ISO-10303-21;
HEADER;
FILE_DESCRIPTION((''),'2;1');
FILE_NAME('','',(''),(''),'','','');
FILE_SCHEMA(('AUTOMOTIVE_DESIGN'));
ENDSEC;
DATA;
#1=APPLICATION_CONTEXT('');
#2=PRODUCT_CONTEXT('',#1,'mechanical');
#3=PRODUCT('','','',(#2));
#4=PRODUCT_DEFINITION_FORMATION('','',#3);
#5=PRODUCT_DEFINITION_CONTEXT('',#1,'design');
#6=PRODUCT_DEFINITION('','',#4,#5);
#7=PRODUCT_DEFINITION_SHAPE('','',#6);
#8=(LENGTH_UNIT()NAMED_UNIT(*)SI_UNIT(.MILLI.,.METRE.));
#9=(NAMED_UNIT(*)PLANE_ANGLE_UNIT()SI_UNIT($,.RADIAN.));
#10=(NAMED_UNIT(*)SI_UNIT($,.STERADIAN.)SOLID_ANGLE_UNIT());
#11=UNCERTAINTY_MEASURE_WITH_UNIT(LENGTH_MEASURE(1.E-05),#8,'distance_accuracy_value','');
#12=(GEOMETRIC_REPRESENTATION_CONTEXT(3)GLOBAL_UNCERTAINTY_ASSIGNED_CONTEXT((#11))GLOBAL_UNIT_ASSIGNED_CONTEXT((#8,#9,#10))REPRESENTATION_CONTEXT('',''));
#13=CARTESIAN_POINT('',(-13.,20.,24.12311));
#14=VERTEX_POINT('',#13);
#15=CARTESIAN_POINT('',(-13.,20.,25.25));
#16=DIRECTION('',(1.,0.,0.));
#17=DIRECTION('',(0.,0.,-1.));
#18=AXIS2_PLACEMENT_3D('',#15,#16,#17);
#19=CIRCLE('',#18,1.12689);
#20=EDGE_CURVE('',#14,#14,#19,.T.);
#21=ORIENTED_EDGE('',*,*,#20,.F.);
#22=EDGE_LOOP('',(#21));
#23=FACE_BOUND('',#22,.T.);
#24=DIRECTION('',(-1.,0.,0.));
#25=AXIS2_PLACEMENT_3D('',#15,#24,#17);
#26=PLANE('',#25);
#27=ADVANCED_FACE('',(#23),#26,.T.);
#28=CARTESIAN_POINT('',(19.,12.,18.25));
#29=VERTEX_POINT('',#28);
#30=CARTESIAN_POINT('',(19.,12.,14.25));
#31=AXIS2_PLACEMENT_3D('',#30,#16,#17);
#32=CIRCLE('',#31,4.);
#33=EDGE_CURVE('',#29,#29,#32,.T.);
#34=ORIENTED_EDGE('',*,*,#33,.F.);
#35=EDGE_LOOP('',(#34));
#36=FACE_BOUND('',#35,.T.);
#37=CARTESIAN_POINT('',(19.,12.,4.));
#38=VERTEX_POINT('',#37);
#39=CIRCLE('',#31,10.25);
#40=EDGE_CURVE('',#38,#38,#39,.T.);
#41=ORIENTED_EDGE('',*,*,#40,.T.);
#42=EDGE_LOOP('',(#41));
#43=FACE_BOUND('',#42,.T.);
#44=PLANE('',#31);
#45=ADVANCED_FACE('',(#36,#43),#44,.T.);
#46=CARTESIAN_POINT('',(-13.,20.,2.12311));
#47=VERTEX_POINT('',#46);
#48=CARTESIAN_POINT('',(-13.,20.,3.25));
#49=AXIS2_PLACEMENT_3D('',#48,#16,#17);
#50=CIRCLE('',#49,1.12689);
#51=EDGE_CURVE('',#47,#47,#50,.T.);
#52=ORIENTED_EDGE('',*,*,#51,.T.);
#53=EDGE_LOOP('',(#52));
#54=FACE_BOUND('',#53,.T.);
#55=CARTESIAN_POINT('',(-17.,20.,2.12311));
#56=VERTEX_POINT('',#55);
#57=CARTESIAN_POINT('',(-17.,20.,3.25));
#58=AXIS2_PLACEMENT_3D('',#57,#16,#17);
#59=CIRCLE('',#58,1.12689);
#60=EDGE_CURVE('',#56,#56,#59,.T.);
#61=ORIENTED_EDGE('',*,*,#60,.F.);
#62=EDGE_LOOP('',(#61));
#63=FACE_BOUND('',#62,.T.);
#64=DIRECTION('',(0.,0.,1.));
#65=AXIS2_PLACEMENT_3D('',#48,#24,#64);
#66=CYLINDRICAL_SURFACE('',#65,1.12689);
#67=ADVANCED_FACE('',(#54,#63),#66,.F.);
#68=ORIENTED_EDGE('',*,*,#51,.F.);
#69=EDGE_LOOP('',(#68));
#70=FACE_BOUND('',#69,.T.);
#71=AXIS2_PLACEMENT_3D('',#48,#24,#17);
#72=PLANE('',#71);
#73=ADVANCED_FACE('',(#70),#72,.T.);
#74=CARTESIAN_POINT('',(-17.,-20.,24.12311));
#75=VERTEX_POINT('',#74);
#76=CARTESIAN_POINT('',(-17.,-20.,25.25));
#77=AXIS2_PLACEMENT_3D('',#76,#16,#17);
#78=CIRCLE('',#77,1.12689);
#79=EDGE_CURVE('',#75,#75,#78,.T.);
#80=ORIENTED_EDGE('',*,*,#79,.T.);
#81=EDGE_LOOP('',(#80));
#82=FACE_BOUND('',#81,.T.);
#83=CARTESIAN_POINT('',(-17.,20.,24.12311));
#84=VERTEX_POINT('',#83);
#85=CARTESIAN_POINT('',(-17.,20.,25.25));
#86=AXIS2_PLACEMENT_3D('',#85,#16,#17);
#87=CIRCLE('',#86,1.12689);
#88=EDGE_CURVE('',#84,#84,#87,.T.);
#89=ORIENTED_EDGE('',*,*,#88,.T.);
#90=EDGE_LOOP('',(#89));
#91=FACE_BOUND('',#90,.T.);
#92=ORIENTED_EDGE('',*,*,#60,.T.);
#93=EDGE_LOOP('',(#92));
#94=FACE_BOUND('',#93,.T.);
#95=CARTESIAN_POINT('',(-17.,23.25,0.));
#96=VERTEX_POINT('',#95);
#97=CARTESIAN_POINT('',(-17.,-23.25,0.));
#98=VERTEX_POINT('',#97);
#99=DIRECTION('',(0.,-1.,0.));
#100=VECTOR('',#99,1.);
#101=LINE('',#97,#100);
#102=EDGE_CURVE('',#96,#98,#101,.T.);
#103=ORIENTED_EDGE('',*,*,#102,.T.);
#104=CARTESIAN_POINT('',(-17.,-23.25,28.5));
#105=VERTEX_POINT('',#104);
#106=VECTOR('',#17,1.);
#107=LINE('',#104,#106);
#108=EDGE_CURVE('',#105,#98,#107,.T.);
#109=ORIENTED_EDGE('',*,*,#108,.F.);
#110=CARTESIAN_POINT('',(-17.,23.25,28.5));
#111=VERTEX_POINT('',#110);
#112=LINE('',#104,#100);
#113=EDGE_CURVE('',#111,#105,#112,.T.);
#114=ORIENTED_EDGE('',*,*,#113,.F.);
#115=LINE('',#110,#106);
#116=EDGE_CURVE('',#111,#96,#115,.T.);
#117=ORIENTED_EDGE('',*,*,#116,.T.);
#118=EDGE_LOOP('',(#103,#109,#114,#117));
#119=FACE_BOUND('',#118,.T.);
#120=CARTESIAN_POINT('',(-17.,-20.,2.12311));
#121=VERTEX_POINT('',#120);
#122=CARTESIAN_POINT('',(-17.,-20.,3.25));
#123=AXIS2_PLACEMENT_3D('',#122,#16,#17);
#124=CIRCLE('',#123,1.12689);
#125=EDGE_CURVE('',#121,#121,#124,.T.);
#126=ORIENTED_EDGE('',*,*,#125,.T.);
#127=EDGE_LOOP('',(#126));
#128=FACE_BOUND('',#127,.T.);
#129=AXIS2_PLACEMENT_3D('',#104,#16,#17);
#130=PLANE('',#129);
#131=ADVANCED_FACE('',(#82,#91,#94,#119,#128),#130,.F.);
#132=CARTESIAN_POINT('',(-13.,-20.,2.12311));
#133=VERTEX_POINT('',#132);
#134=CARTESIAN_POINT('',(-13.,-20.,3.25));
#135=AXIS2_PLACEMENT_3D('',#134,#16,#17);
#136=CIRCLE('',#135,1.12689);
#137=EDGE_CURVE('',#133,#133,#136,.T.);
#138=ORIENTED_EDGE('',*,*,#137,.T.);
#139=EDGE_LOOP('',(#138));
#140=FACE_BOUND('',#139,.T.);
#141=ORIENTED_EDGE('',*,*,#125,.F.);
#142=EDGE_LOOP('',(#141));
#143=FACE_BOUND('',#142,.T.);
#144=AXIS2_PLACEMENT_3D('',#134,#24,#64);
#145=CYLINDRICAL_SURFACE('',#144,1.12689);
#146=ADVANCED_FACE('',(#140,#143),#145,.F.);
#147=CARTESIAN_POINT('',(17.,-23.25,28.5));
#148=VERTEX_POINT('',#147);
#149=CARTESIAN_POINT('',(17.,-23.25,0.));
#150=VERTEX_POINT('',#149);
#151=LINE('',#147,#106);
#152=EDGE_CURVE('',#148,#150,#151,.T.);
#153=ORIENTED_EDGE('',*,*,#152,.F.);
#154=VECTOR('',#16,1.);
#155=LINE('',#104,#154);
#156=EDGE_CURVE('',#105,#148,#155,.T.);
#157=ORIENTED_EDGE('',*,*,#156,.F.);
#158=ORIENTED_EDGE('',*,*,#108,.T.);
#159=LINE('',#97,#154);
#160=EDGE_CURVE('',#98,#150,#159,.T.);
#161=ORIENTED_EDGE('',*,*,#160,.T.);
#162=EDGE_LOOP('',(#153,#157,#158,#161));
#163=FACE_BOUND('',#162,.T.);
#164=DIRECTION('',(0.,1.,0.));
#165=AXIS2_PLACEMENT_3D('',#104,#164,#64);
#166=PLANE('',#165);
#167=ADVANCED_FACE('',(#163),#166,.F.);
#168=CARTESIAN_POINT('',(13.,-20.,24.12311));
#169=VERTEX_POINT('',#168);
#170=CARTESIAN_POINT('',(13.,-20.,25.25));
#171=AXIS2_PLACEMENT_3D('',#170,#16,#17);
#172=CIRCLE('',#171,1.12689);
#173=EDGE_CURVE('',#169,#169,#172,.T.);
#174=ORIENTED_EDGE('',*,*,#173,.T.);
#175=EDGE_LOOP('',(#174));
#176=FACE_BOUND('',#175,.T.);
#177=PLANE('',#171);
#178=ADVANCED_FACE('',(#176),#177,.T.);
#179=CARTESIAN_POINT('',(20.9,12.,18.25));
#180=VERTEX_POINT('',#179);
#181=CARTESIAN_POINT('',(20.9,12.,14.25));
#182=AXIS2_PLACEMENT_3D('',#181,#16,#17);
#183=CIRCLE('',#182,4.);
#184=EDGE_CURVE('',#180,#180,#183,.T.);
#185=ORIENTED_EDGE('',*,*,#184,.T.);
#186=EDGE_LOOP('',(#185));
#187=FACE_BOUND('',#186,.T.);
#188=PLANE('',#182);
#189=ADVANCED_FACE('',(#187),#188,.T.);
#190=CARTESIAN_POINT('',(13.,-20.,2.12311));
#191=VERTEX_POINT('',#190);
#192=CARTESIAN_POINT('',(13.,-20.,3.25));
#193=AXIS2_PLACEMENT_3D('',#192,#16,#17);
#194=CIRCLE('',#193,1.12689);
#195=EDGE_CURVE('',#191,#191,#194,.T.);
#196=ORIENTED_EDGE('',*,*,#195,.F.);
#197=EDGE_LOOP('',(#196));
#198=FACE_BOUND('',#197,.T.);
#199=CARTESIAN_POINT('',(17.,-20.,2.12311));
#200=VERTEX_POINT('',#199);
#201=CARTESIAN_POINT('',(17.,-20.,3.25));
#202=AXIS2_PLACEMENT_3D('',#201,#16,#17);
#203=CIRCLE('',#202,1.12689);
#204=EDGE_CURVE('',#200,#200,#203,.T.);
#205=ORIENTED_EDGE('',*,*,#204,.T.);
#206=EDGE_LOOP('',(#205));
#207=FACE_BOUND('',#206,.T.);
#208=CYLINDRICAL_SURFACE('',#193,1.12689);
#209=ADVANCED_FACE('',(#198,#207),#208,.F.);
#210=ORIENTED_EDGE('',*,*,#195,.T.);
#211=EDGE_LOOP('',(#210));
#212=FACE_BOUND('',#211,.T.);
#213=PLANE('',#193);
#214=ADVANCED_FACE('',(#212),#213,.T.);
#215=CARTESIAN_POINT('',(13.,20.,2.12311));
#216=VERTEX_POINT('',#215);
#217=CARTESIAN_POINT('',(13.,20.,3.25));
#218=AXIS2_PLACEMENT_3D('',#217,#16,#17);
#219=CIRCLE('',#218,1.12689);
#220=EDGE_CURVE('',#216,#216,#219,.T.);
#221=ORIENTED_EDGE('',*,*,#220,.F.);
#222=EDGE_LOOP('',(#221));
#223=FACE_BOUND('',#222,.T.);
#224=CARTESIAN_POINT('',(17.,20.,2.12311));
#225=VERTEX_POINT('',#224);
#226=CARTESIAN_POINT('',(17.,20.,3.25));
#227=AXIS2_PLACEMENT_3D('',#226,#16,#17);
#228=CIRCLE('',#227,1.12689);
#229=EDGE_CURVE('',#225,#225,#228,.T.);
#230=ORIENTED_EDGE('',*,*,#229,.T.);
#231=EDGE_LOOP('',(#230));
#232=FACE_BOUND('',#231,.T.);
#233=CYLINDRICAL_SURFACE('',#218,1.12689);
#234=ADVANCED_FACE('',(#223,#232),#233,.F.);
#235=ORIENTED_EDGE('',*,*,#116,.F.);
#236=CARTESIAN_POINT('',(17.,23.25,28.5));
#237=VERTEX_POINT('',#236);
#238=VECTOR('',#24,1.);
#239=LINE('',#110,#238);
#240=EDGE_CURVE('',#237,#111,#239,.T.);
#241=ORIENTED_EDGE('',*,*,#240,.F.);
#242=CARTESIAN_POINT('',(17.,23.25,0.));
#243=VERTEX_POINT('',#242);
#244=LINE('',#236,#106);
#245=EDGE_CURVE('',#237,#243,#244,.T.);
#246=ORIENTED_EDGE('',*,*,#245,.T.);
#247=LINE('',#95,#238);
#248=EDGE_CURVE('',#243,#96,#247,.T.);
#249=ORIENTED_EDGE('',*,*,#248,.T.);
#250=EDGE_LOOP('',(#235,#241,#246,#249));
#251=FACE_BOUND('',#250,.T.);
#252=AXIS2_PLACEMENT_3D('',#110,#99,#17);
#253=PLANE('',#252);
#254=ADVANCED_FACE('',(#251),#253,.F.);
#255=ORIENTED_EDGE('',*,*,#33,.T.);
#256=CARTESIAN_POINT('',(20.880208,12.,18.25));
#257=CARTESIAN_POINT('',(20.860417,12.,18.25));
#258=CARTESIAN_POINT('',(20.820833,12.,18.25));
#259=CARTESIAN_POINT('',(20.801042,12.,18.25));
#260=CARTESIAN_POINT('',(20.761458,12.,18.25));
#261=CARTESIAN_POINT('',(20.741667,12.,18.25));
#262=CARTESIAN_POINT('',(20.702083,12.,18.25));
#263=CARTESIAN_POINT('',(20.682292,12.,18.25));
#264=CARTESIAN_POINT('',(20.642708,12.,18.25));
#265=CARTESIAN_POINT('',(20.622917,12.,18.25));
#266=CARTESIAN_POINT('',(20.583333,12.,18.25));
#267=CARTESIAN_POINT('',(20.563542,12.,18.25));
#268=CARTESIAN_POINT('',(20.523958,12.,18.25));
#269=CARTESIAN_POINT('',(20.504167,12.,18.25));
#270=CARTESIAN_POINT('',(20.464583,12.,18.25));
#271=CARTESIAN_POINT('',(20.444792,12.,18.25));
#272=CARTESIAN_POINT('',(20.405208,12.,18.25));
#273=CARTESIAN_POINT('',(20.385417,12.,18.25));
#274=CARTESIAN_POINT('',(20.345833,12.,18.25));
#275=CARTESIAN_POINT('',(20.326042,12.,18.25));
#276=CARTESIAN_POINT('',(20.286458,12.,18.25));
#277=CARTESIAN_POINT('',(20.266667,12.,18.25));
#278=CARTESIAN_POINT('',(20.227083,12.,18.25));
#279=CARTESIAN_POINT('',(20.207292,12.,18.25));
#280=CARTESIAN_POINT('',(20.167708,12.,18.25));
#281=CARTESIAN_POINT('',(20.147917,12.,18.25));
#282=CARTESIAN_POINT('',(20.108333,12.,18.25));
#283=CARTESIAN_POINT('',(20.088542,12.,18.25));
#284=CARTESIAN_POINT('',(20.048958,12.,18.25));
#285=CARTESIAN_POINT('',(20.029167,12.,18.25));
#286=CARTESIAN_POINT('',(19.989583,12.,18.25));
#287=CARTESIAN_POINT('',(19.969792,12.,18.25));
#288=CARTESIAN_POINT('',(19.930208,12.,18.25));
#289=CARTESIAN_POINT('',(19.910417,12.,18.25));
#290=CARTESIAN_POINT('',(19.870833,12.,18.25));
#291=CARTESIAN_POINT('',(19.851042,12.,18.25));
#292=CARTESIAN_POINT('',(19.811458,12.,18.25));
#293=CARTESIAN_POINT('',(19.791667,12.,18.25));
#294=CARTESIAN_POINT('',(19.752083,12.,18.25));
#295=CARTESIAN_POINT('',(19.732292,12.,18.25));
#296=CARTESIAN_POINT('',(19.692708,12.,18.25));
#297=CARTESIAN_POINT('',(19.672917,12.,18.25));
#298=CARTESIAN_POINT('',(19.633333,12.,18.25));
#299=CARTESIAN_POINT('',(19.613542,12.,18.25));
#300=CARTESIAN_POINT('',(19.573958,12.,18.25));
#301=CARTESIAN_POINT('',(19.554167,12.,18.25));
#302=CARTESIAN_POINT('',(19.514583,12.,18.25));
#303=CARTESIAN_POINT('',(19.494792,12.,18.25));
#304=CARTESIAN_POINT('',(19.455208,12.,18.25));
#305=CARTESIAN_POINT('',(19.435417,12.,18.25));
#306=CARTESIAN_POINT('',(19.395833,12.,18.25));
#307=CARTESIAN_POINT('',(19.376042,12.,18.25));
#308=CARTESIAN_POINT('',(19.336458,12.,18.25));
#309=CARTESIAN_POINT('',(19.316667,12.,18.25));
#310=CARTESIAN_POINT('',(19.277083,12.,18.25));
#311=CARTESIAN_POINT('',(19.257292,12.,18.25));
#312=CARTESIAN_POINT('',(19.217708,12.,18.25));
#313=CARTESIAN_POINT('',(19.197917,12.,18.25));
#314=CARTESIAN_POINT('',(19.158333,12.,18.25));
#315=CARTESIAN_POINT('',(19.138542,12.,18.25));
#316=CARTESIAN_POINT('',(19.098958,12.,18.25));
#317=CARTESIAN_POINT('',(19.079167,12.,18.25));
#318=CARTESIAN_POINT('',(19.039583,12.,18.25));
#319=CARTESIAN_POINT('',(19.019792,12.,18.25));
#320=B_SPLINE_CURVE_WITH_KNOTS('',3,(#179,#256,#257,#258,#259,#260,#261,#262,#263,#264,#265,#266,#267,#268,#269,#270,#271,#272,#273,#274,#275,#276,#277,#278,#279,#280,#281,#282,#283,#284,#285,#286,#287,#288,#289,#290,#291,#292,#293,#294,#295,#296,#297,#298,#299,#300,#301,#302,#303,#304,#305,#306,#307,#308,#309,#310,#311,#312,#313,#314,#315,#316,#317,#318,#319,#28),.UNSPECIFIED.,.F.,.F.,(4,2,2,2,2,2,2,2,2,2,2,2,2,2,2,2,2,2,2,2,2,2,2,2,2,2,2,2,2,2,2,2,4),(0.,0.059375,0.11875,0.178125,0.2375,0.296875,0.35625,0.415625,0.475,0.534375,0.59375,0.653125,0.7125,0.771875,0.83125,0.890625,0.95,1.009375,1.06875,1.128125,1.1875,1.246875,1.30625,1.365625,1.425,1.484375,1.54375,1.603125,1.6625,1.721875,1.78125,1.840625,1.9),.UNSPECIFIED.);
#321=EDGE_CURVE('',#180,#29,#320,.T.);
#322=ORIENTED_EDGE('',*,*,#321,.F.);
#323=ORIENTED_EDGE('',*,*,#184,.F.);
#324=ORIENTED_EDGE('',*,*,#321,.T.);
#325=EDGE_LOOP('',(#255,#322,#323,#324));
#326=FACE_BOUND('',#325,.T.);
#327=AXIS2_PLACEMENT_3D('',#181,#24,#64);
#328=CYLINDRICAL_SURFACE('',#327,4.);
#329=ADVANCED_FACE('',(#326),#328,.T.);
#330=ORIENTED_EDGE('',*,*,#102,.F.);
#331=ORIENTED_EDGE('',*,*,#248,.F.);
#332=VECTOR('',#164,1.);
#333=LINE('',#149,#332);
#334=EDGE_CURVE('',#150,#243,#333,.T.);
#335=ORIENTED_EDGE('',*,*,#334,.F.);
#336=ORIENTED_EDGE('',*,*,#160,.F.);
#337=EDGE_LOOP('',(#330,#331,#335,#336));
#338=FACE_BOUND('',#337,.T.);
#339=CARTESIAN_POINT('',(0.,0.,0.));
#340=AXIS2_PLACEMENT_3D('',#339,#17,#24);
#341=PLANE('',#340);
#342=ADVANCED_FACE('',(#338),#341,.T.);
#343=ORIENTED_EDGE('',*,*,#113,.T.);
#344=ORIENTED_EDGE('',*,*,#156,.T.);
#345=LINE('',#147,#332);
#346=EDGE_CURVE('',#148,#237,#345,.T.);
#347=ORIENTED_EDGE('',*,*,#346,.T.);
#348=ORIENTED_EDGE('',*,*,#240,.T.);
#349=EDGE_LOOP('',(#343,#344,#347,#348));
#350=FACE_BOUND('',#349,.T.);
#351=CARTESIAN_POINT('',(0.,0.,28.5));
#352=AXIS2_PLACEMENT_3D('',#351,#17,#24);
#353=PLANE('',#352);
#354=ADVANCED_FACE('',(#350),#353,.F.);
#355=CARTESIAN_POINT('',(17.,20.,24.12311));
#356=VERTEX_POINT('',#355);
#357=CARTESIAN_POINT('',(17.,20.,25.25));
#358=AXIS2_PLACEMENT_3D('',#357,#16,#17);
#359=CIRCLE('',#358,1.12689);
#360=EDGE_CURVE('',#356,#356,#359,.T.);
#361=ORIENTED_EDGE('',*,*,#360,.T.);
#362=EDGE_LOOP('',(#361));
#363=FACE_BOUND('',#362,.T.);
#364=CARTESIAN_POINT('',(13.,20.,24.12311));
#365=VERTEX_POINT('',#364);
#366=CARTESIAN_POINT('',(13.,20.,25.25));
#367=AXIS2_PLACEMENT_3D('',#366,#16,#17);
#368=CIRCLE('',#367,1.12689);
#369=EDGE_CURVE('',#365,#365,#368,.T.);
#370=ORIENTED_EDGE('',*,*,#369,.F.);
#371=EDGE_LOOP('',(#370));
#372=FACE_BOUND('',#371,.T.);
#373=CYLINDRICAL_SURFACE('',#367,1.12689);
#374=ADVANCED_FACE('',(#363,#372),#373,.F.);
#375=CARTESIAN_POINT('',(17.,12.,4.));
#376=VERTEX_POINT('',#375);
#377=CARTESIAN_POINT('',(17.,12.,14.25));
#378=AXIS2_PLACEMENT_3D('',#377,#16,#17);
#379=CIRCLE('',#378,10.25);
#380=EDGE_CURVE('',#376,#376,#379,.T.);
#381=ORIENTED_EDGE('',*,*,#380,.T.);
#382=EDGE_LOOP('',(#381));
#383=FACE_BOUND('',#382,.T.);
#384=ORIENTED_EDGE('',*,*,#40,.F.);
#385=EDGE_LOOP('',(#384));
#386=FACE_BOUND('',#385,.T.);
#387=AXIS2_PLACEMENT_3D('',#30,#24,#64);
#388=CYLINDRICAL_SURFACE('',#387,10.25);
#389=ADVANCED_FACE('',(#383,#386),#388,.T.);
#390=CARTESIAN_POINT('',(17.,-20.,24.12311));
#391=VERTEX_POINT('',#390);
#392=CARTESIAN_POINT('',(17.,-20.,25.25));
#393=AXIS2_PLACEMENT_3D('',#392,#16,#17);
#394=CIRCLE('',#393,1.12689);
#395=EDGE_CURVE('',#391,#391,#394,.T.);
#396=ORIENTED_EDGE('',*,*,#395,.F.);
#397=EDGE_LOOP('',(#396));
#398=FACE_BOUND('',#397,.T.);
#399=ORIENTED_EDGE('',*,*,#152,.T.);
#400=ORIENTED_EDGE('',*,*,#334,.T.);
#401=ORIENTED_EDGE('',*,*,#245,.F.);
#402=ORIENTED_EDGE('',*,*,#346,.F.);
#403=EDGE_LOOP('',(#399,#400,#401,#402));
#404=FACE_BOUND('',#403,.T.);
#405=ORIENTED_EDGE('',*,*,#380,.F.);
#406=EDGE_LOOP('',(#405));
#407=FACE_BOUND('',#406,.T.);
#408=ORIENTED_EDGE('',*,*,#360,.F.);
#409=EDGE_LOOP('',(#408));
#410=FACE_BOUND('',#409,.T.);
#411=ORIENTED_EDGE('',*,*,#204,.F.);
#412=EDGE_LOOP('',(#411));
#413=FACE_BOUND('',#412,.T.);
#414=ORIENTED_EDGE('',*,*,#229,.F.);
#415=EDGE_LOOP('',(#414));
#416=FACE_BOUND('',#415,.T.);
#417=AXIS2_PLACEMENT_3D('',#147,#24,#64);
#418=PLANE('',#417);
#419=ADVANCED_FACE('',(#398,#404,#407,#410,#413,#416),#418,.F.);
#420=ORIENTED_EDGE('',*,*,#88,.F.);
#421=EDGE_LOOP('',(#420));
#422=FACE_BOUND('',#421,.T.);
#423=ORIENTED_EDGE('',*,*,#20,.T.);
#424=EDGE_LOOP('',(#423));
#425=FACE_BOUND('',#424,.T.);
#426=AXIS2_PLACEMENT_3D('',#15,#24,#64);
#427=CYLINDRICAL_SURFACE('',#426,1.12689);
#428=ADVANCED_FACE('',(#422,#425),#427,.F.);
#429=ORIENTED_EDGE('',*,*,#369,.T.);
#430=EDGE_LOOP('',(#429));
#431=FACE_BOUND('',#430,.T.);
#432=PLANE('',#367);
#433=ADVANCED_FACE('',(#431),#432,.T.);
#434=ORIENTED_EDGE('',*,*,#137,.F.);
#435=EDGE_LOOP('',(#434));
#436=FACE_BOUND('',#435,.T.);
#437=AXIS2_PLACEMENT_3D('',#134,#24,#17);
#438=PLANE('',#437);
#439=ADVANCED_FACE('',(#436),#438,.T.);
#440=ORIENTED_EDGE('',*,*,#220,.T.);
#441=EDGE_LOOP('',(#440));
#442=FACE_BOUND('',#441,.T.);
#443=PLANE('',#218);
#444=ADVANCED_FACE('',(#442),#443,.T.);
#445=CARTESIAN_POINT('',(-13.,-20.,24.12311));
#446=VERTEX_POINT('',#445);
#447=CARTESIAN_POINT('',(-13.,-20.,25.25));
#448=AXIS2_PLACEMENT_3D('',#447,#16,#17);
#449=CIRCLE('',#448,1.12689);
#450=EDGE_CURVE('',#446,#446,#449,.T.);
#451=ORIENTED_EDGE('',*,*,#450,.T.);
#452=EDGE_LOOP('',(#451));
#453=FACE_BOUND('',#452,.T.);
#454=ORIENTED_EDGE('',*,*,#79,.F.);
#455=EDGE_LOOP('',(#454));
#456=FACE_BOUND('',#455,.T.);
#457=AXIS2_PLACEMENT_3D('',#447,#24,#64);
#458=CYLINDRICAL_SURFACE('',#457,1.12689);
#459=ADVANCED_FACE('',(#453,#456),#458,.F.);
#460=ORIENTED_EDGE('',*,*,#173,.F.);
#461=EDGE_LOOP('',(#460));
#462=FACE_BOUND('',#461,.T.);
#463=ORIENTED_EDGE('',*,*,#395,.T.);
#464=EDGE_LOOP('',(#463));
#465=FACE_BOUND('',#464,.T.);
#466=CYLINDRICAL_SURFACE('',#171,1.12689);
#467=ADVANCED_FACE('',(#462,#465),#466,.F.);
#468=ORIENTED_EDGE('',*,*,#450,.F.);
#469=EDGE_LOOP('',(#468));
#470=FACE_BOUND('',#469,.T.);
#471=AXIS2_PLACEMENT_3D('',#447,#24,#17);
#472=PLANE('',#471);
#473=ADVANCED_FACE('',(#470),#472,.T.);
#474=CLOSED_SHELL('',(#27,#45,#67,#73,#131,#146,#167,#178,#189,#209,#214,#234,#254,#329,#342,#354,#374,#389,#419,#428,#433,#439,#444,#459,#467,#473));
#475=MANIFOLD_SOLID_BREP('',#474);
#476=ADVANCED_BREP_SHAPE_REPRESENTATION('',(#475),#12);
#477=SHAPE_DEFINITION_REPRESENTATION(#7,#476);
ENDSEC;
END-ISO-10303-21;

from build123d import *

# Parameters (mm, degrees)
SKETCH1_W           = 34
SKETCH1_H           = 46.5
BOSS_EXTRUDE1_DEPTH = 28.5
SKETCH2_R           = 10.25
BOSS_EXTRUDE2_DEPTH = 2
SKETCH3_R           = 4
BOSS_EXTRUDE3_DEPTH = 1.9
SKETCH10_R          = 1.126890163
CUT_EXTRUDE2_DEPTH  = 4


with BuildPart() as part:
    # Sketch1 → Boss-Extrude1 (new body)
    with BuildSketch(Plane.XY):
        Rectangle(SKETCH1_W, SKETCH1_H)
    extrude(amount=BOSS_EXTRUDE1_DEPTH)

    # Sketch2 → Boss-Extrude2 (add)
    with BuildSketch(Plane(origin=(17, 0, 0), x_dir=(0, 0, -1), z_dir=(1, 0, 0))):
        with Locations((-14.25, 12)):
            Circle(SKETCH2_R)
    extrude(amount=BOSS_EXTRUDE2_DEPTH)

    # Sketch3 → Boss-Extrude3 (add)
    with BuildSketch(Plane(origin=(19, 0, 0), x_dir=(0, 0, -1), z_dir=(1, 0, 0))):
        with Locations(Location((-14.25, 12, 0), (0, 0, 180))):
            Circle(SKETCH3_R)
    extrude(amount=BOSS_EXTRUDE3_DEPTH)

    # Sketch10 → Cut-Extrude2 (cut)
    with BuildSketch(Plane(origin=(17, 0, 0), x_dir=(0, 0, -1), z_dir=(1, 0, 0))):
        with Locations((-3.25, 20)):
            Circle(SKETCH10_R)
        with Locations((-25.25, 20)):
            Circle(SKETCH10_R)
        with Locations((-25.25, -20)):
            Circle(SKETCH10_R)
        with Locations((-3.25, -20)):
            Circle(SKETCH10_R)
    cut_extrude2 = extrude(amount=-CUT_EXTRUDE2_DEPTH, mode=Mode.SUBTRACT)

    # Mirror1: Cut-Extrude2 across plane
    add(cut_extrude2.mirror(Plane(origin=(0, 0, 0), x_dir=(0, 0, 1), z_dir=(1, 0, 0))), mode=Mode.SUBTRACT)


solid = part.part
